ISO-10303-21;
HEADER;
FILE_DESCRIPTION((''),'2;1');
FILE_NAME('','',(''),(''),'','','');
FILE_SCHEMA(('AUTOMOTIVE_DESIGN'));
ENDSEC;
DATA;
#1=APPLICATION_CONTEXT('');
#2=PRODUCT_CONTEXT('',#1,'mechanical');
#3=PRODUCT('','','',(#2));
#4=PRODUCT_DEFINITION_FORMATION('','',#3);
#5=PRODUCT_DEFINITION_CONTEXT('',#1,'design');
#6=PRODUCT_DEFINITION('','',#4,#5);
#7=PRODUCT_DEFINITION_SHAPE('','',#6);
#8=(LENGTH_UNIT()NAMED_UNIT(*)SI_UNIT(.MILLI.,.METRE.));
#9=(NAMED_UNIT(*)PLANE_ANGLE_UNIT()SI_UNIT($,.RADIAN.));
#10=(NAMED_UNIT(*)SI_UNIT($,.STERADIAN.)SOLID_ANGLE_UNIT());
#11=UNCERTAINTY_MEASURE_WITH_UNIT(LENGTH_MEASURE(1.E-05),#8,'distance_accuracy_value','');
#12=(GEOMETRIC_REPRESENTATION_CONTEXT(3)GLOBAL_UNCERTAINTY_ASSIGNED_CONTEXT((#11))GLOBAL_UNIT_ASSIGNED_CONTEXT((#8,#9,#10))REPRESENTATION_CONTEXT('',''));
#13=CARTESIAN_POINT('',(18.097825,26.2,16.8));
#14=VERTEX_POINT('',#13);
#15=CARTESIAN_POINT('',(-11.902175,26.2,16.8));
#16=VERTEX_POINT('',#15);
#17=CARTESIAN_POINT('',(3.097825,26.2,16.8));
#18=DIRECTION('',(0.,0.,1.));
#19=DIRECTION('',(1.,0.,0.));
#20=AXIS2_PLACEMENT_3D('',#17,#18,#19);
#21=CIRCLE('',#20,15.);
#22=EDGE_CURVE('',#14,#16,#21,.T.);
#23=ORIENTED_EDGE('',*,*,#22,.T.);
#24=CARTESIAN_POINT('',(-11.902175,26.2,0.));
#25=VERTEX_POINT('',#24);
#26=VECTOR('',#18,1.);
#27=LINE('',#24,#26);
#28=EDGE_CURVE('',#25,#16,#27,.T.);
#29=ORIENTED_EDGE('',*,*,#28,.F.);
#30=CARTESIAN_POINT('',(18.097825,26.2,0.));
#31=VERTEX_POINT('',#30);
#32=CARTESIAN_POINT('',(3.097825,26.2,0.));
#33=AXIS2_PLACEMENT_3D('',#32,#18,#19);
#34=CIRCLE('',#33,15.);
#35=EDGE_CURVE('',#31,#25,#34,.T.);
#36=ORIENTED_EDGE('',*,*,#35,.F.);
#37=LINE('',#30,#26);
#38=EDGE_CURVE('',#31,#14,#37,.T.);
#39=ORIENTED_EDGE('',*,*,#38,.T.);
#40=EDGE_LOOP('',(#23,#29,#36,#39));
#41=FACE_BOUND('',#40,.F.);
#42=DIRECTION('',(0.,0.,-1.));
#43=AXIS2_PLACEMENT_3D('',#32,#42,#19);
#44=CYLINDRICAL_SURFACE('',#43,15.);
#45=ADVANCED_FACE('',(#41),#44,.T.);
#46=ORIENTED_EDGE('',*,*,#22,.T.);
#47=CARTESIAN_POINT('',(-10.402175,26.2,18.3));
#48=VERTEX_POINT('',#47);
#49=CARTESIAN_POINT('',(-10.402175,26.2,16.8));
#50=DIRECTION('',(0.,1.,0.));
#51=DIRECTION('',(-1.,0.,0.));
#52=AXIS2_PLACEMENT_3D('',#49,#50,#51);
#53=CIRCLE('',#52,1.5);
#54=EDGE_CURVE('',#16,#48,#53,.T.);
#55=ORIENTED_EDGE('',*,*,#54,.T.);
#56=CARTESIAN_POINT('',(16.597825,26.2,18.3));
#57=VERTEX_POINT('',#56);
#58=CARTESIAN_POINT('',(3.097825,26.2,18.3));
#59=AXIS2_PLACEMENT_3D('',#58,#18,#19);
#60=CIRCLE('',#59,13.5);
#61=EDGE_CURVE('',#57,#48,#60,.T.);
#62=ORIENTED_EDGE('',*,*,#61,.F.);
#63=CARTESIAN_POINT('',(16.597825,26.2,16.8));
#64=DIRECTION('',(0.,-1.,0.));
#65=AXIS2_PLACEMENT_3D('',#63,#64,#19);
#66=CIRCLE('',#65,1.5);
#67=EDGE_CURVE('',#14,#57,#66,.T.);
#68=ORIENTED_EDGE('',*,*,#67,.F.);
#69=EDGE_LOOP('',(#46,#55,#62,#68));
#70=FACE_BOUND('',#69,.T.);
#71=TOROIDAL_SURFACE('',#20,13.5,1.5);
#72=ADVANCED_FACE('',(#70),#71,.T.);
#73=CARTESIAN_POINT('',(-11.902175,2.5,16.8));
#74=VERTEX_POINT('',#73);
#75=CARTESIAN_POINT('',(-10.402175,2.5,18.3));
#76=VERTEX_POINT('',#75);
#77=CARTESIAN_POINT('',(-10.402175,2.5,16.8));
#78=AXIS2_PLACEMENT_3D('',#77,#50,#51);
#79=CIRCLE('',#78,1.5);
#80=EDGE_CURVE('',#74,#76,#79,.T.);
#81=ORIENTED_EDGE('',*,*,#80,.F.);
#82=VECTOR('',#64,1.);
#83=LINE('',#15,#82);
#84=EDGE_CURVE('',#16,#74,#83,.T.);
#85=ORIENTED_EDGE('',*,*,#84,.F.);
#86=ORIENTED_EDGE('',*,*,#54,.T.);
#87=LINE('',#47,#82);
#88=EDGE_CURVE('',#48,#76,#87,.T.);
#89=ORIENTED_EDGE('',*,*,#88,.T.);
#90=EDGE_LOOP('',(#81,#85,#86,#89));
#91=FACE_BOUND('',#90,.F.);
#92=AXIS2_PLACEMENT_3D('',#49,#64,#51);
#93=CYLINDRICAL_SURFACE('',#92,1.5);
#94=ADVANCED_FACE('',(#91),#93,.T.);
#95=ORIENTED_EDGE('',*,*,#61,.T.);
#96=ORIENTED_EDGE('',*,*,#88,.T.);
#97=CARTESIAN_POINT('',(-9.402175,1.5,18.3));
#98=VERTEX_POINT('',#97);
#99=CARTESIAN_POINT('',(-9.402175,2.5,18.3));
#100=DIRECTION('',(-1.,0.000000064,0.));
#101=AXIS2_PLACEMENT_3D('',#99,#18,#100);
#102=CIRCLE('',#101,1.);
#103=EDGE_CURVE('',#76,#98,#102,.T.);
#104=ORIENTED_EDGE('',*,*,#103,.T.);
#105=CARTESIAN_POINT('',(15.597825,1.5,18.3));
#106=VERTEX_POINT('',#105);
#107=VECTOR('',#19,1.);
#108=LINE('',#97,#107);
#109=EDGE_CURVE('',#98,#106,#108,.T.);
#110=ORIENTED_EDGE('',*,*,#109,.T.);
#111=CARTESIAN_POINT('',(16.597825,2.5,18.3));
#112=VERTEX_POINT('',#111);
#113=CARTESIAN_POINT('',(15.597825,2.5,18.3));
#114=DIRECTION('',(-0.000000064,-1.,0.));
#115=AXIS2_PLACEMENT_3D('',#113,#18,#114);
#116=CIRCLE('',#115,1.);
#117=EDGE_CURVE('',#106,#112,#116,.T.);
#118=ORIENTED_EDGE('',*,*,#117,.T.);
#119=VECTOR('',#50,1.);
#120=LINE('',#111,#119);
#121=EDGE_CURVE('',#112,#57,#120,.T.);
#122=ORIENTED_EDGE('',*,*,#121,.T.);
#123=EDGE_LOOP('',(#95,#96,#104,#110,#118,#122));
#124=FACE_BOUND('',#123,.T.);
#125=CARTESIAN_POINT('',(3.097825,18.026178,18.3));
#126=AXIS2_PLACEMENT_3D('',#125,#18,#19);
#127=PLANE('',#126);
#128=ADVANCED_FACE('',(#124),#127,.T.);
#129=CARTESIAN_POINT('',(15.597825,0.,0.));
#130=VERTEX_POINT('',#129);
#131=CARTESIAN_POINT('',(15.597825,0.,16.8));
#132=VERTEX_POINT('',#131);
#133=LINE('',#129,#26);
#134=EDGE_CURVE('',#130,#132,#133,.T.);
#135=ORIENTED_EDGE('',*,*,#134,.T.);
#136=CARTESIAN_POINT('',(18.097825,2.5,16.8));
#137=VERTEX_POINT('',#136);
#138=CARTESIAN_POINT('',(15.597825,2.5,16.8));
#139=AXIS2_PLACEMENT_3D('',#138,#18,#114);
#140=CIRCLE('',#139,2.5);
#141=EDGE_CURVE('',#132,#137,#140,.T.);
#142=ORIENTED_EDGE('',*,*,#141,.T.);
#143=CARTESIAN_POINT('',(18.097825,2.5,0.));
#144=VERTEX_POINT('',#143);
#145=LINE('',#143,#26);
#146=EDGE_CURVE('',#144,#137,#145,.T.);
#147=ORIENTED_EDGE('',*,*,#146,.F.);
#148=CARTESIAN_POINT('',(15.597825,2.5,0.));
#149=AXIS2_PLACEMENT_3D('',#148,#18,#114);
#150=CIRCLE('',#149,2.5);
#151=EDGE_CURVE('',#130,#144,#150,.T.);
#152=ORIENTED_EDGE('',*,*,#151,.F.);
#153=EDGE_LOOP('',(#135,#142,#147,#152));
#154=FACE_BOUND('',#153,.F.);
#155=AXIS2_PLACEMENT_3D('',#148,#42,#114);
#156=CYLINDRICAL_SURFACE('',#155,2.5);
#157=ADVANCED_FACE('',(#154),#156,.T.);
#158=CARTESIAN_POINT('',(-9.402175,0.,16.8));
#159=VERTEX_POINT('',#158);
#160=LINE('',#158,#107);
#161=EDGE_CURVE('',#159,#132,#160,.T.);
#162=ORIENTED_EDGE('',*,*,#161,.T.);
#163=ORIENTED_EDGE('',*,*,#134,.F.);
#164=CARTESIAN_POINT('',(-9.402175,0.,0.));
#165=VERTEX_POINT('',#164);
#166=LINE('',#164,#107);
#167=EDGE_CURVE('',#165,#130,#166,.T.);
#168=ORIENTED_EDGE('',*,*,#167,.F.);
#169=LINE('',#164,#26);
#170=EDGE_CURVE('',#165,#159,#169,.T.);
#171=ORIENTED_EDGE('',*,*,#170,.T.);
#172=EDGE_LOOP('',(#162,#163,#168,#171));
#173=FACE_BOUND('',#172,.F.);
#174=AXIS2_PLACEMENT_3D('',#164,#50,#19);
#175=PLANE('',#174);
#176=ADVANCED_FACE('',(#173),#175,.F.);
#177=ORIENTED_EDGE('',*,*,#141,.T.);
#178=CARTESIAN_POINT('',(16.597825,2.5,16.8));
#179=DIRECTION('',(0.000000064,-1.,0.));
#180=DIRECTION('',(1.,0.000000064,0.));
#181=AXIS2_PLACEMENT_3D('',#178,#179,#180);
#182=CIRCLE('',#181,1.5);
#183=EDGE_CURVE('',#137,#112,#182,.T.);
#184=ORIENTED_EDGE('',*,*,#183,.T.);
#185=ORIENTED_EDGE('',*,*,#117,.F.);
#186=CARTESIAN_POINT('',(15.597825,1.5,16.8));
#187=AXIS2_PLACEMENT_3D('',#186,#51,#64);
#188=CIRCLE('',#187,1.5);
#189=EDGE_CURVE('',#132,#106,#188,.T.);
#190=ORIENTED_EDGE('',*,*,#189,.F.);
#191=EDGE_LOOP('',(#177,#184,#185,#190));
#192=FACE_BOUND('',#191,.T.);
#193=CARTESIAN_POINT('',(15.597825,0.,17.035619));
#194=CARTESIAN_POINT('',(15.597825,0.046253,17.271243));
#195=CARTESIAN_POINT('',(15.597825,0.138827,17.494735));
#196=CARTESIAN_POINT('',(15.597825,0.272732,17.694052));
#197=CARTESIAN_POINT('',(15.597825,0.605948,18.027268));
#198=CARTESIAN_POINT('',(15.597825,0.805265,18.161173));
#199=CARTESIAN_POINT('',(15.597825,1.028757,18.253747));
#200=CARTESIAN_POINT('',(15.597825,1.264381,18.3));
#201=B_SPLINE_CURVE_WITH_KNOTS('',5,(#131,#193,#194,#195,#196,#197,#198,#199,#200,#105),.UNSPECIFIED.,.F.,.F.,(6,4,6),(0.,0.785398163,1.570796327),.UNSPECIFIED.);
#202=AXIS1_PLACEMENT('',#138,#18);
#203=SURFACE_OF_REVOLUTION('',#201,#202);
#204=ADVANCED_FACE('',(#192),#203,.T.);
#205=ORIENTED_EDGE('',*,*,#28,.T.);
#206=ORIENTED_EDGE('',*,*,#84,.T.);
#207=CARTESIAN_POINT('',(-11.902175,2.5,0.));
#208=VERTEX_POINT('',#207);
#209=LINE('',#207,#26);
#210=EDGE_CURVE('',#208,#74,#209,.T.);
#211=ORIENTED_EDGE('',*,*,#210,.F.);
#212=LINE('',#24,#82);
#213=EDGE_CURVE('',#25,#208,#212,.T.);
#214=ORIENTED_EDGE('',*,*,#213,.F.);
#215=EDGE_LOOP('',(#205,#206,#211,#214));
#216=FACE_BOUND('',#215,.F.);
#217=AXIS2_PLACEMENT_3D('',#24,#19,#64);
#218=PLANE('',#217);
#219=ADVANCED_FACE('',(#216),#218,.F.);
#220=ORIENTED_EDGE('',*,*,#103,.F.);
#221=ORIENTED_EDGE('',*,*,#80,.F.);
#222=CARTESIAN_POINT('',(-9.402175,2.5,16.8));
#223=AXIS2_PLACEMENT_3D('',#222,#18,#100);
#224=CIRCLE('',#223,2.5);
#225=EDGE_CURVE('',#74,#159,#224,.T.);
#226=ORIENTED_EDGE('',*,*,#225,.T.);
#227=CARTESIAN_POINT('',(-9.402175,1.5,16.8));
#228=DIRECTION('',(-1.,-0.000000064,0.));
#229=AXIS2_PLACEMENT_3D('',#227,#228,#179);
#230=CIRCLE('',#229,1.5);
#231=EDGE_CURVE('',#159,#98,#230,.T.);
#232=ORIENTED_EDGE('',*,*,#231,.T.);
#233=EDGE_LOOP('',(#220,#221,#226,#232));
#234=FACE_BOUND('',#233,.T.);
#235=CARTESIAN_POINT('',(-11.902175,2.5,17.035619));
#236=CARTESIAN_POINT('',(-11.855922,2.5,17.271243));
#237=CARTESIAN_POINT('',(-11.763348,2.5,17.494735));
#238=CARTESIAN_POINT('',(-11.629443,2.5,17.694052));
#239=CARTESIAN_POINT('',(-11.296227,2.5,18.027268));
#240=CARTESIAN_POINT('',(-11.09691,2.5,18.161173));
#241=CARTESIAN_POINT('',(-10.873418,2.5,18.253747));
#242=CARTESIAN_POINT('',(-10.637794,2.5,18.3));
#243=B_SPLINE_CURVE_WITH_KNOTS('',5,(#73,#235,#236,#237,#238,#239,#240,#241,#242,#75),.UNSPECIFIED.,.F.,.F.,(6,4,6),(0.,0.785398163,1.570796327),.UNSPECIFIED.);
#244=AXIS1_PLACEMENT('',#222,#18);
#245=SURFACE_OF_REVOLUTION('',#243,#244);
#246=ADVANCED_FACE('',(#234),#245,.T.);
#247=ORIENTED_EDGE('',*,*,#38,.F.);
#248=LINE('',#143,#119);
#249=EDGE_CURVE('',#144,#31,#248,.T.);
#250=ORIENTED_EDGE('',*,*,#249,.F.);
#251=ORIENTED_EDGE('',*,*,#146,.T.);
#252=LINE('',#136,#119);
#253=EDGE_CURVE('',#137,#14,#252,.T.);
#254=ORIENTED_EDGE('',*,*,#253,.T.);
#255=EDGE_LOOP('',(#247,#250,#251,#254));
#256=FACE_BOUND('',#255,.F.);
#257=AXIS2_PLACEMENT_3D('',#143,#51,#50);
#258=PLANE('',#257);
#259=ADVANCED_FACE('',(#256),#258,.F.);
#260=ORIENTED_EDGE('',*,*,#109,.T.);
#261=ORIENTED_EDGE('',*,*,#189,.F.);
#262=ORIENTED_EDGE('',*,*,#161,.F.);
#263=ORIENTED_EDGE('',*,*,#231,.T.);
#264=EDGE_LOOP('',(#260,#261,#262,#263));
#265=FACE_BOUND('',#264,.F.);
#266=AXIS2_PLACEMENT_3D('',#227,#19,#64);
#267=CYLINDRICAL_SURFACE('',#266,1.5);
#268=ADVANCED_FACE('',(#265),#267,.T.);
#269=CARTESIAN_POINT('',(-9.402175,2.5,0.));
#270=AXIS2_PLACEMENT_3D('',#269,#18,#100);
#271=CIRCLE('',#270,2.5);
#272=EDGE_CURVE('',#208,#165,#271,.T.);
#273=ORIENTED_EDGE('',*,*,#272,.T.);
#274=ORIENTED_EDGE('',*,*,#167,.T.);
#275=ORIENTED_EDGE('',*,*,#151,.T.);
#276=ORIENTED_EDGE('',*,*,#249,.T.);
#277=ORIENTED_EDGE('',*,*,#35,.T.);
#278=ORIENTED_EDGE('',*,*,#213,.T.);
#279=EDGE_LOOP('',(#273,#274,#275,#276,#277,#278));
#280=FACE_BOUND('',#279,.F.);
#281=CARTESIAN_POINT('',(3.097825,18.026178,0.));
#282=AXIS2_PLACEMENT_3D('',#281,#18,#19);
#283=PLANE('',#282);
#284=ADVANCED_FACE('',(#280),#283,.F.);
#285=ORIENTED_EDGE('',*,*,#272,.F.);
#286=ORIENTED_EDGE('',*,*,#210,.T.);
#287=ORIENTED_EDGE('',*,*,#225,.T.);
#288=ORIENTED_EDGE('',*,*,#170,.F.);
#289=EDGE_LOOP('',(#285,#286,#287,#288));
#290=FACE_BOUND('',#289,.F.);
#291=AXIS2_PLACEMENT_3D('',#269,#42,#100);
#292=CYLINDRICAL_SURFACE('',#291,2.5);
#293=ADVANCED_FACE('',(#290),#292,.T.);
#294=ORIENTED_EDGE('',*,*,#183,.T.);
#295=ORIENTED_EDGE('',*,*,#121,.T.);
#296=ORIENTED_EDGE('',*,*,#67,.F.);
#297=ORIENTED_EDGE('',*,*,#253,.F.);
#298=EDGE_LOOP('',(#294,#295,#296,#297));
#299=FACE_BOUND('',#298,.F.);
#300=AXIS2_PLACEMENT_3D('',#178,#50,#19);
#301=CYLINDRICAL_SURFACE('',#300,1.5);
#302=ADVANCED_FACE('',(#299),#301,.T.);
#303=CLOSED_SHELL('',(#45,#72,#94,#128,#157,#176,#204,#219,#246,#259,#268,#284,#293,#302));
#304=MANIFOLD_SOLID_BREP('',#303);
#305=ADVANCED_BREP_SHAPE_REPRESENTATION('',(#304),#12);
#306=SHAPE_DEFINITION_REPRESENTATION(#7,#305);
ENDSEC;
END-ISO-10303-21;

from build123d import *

# Parameters (mm, degrees)
F1_DEPTH = 18.3
F2_R     = 1.5


with BuildPart() as f1:
    # F0 (on Top) → F1 (new body)
    with BuildSketch(Plane.XY):
        with BuildLine():
            ThreePointArc((-11.902175, 2.5), (-11.169942, 0.732233), (-9.402175, 0))
            Line((-9.402175, 0), (15.597825, 0))
            ThreePointArc((15.597825, 0), (17.365592, 0.732233), (18.097825, 2.5))
            Line((18.097825, 2.5), (18.097825, 26.2))
            ThreePointArc((18.097825, 26.2), (3.097825, 41.2), (-11.902175, 26.2))
            Line((-11.902175, 26.2), (-11.902175, 2.5))
        make_face()
    extrude(amount=F1_DEPTH)

    # F2
    f2_edges = [f1.edges().sort_by_distance(p)[0] for p in [
        (-11.902175, 14.35, 18.3),
        (-11.169942, 0.732233, 18.3),
        (3.097825, 0, 18.3),
        (17.365592, 0.732233, 18.3),
        (18.097825, 14.35, 18.3),
        (3.097825, 41.2, 18.3),
    ]]
    fillet(f2_edges, radius=F2_R)


solid = f1.part
